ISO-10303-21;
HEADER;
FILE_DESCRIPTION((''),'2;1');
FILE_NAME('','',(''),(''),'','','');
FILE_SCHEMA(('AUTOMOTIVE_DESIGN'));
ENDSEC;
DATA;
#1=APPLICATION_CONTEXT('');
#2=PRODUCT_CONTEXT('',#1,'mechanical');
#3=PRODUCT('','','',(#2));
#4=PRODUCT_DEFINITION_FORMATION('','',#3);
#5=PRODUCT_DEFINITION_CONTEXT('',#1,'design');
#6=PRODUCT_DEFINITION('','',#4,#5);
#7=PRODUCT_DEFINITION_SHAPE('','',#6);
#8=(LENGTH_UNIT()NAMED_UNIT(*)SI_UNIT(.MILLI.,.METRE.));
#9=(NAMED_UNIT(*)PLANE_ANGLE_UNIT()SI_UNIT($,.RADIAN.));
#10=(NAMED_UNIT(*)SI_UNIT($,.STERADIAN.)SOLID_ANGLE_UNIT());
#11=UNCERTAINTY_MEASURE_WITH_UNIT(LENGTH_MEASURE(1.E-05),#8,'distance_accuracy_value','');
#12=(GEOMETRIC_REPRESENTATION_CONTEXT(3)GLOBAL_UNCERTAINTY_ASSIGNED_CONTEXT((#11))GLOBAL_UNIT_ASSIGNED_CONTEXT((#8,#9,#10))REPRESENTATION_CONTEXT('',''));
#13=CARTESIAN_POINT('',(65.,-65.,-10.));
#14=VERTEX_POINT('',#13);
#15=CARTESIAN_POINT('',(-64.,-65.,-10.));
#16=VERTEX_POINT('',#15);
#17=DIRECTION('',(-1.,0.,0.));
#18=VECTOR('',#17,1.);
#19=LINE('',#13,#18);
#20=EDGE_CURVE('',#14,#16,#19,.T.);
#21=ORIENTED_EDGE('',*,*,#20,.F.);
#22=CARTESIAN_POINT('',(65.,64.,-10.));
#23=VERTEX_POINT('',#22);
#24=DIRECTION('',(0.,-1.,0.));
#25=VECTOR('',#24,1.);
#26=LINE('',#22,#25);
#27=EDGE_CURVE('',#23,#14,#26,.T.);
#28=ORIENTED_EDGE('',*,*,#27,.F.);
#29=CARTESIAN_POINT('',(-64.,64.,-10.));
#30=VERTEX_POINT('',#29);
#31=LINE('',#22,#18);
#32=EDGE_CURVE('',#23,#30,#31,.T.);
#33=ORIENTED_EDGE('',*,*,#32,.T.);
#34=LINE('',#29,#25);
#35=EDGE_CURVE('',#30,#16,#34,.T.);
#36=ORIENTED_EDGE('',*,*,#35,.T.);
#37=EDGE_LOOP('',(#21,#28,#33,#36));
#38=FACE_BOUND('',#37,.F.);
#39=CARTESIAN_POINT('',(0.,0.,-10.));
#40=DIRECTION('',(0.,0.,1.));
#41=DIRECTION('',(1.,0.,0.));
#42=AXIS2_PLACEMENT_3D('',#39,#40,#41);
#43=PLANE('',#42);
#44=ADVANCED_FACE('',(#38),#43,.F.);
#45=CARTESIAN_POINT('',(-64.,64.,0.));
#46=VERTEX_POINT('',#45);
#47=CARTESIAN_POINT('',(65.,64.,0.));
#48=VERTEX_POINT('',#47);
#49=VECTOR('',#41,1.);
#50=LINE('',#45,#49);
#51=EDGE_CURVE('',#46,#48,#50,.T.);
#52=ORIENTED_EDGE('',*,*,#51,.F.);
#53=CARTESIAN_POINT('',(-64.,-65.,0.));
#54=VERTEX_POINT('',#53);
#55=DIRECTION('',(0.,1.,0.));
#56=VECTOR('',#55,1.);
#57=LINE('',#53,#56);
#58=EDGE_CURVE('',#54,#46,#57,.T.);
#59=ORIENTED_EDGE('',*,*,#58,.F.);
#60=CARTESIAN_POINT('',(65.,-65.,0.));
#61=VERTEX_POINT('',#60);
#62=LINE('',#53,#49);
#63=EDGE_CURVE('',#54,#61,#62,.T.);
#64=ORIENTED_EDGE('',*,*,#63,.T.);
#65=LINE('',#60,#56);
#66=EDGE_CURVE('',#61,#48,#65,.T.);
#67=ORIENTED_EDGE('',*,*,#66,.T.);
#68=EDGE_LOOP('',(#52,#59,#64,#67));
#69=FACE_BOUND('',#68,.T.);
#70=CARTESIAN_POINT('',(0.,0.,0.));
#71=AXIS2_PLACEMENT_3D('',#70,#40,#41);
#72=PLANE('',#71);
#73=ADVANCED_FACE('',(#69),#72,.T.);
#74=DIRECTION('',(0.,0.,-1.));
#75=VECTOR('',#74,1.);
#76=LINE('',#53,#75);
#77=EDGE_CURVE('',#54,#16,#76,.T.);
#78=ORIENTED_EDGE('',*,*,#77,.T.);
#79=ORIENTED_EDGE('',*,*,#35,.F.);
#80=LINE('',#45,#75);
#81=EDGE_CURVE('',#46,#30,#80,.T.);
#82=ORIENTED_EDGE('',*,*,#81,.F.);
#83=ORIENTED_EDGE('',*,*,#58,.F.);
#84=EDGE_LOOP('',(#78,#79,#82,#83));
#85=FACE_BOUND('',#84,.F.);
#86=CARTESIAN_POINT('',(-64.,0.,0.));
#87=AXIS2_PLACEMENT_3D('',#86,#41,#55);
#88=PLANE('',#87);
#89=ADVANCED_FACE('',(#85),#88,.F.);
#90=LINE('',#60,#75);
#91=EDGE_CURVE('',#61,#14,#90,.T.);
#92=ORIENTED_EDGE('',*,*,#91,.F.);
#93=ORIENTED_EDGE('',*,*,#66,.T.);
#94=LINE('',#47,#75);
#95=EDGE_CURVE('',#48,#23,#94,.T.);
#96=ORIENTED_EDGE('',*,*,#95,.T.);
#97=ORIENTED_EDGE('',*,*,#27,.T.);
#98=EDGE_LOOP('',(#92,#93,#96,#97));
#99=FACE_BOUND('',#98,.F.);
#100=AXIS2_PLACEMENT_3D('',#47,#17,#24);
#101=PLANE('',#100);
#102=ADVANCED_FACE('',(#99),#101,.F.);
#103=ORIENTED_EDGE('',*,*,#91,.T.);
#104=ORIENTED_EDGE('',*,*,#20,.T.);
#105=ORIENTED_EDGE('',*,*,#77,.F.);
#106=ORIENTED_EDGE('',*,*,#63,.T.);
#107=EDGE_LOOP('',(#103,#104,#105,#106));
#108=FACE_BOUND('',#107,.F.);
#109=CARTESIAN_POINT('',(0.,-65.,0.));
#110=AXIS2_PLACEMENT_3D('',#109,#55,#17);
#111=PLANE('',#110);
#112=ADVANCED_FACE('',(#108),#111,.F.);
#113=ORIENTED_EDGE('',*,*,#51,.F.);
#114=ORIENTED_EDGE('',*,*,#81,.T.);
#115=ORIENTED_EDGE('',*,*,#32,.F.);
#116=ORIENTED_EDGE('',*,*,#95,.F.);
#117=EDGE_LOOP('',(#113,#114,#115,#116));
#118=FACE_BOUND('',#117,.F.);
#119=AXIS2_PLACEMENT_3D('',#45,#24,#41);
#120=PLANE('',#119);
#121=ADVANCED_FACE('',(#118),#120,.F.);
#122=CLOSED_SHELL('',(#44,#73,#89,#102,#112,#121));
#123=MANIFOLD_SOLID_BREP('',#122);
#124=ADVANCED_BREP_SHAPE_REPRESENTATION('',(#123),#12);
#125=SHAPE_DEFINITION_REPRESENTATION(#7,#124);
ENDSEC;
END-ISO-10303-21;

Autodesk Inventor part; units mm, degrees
ref_plane "YZ Plane" through (0, 0, 0) normal (1, 0, 0) x (0, 1, 0)
ref_plane "XZ Plane" through (0, 0, 0) normal (0, 1, 0) x (-1, 0, 0)
ref_plane "XY Plane" through (0, 0, 0) normal (0, 0, 1) x (1, 0, 0)
sketch "스케치1" plane through (0, 0, 0) normal (0, 0, 1) x (1, 0, 0)
  line L0 (-64, 64) -> (65, 64)
  line L1 (65, 64) -> (65, -65)
  line L2 (65, -65) -> (-64, -65)
  line L3 (-64, -65) -> (-64, 64)
  line L4 (0, -90.8) -> (0, 89.8) projected
  line L5 (-89.8, 0) -> (90.8, 0) projected
  point P0 (0, 0)
  dimension "d0" = 129
  dimension "d1" = 129
  dimension "d2" = 64
  dimension "d3" = 64
extrude "돌출1" add sketch "스케치1" against normal blind 10
properties part number "display"
